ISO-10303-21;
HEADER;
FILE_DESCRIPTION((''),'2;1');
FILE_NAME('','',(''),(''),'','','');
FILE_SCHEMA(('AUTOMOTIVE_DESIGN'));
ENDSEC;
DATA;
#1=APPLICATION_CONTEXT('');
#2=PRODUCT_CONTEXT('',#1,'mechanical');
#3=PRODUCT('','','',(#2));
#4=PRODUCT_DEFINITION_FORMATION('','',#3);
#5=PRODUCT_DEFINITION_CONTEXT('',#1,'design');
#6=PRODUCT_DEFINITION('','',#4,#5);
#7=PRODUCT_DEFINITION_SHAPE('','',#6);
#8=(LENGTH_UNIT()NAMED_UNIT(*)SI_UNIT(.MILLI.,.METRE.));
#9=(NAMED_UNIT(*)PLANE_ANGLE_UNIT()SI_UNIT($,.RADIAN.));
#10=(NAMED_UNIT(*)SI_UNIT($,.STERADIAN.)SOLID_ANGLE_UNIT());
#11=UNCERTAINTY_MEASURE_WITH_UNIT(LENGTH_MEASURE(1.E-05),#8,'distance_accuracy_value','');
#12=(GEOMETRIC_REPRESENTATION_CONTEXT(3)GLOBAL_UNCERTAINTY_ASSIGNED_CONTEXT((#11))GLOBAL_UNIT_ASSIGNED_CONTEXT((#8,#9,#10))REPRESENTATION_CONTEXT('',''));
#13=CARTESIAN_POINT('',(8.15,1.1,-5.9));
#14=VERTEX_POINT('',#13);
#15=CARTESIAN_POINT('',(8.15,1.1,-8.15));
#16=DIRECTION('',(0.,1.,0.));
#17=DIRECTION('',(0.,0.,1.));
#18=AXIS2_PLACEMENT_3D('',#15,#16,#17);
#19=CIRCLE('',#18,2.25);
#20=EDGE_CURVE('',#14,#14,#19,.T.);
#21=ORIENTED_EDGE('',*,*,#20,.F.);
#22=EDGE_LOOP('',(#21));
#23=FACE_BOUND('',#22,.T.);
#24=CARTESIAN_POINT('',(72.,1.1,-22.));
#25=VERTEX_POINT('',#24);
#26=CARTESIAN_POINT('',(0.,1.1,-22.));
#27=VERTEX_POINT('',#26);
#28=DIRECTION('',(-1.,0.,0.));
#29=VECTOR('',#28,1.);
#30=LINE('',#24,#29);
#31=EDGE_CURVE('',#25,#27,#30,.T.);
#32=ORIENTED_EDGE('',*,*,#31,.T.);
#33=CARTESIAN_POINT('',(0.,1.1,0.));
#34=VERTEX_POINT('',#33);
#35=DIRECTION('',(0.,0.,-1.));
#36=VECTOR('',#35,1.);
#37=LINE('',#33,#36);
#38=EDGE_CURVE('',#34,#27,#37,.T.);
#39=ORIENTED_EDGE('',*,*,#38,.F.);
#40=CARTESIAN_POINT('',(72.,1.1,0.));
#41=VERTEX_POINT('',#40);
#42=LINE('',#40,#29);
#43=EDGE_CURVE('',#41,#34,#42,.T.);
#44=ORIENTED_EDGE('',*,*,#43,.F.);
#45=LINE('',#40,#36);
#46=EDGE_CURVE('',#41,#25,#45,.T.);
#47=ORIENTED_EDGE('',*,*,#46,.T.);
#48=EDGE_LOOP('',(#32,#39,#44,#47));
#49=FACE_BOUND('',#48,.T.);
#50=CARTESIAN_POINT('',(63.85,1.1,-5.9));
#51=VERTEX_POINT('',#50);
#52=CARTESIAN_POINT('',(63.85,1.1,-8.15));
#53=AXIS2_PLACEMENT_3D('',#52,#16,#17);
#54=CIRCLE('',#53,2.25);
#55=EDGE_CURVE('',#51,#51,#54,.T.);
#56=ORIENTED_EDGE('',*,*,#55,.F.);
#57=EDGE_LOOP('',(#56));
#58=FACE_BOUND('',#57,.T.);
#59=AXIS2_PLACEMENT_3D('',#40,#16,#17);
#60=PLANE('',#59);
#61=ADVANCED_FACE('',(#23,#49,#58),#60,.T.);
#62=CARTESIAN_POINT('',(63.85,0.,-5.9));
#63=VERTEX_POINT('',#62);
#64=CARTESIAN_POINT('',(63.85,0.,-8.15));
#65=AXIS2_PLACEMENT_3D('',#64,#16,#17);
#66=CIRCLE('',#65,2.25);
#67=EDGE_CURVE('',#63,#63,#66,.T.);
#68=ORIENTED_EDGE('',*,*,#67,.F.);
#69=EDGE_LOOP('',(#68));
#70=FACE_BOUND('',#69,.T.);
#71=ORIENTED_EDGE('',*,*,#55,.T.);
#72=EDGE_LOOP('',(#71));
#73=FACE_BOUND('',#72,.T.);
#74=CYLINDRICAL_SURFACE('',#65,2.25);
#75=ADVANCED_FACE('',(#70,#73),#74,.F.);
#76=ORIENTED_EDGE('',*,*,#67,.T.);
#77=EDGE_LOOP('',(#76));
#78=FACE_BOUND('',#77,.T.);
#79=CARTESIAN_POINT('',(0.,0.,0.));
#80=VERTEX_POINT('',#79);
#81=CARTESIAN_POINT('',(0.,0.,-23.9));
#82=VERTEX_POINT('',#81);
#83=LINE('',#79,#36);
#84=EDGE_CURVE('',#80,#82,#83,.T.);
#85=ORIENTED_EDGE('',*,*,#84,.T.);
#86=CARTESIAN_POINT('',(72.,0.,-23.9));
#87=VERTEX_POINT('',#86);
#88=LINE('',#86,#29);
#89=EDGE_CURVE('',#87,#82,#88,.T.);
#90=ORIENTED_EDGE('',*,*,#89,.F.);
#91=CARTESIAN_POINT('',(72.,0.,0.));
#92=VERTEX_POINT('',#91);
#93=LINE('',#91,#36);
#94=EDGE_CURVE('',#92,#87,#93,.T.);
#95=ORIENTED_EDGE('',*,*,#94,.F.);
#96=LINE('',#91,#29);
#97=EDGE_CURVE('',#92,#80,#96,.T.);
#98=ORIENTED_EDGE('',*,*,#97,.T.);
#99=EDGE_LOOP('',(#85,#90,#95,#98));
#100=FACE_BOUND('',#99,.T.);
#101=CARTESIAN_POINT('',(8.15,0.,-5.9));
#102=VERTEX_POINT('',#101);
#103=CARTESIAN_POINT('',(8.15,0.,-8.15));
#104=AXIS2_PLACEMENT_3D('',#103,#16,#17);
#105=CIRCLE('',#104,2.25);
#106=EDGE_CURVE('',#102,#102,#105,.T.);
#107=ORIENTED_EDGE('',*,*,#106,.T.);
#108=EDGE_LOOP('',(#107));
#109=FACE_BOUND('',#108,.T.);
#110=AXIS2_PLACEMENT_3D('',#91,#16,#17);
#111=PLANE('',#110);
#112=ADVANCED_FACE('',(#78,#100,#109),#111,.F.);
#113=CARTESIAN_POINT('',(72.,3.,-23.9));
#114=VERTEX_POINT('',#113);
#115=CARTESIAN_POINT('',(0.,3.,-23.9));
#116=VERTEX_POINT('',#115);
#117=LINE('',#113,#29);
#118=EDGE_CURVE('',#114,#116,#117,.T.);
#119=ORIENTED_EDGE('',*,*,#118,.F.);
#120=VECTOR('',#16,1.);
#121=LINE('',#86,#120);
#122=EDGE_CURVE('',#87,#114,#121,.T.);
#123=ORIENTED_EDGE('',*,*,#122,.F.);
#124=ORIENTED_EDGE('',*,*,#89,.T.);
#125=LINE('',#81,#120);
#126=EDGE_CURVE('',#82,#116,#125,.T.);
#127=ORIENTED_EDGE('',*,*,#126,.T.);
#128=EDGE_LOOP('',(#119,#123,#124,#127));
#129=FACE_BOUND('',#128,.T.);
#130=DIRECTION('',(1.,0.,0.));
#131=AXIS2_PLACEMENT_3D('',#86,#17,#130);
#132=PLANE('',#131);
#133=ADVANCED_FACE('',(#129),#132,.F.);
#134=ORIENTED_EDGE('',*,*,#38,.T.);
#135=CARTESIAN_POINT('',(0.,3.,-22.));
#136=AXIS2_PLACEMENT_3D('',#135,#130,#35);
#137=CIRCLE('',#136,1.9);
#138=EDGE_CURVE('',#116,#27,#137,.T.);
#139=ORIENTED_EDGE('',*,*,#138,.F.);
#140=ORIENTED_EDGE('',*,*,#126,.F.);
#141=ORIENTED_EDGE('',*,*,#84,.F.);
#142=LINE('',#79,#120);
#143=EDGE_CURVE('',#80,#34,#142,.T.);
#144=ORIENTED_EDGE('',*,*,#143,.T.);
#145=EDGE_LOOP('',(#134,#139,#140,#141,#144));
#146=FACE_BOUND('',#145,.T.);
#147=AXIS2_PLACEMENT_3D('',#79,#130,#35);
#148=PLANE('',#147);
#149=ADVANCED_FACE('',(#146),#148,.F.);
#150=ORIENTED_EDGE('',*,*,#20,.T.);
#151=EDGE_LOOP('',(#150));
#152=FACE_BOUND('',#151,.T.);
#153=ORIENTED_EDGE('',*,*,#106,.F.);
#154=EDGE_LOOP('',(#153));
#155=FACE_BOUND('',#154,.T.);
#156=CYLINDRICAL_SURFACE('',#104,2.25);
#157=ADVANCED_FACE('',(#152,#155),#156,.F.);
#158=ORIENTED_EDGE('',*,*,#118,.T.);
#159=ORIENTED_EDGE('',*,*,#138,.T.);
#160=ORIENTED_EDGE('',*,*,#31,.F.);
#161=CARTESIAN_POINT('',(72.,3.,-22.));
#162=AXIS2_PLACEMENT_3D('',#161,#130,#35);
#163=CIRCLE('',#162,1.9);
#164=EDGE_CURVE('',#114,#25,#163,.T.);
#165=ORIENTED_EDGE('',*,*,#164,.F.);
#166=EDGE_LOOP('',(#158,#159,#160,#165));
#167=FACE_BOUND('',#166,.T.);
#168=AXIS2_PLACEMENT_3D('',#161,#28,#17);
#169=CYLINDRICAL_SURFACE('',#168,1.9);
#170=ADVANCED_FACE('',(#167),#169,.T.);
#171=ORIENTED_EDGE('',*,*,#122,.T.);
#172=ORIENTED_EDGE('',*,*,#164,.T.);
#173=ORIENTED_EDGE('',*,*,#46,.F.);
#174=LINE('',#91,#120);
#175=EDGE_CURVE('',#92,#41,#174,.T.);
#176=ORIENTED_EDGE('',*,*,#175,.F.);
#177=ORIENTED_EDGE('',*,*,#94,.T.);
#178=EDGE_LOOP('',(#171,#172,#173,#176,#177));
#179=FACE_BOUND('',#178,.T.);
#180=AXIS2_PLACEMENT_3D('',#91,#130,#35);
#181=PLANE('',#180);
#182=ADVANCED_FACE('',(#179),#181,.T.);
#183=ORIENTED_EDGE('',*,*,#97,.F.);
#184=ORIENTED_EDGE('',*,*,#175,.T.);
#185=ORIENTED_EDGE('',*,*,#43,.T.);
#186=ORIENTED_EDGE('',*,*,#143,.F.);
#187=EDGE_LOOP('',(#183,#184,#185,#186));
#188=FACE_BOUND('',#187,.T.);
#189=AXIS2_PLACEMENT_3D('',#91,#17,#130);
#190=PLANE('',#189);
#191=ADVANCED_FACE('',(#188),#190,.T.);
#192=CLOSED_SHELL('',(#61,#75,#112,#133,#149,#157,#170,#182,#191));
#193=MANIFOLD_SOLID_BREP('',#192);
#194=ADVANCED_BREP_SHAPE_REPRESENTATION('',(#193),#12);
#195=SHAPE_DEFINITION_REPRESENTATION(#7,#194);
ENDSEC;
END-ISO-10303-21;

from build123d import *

# Parameters (mm, degrees)
SKETCH_1_R          = 1.9
EXTRUDE_1_DEPTH     = 72
SKETCH_2_R          = 2.25
CUT_EXTRUDE_1_DEPTH = 2.1


with BuildPart() as part:
    # 草图1 → 凸台-拉伸1 (new body)
    with BuildSketch(Plane(origin=(0, 0, 0), x_dir=(0, 0, -1), z_dir=(1, 0, 0))):
        with Locations((22, 3)):
            Circle(SKETCH_1_R)
        with BuildLine():
            Line((0, 1.1), (0, 0))
            Line((0, 0), (19, 0))
            Line((19, 0), (23.9, 0))
            Line((23.9, 0), (23.9, 3))
            ThreePointArc((23.9, 3), (23.343502884, 1.656497116), (22, 1.1))
            Line((22, 1.1), (19, 1.1))
            Line((19, 1.1), (0, 1.1))
        make_face()
    extrude(amount=EXTRUDE_1_DEPTH)

    # 草图2 → 切除-拉伸1 (cut, through all)
    with BuildSketch(Plane(origin=(0, 1.1, 0), x_dir=(1, 0, 0), z_dir=(0, 1, 0))):
        with Locations((8.15, 8.15)):
            Circle(SKETCH_2_R)
        with Locations((63.85, 8.15)):
            Circle(SKETCH_2_R)
    extrude(amount=-CUT_EXTRUDE_1_DEPTH, mode=Mode.SUBTRACT)


solid = part.part
